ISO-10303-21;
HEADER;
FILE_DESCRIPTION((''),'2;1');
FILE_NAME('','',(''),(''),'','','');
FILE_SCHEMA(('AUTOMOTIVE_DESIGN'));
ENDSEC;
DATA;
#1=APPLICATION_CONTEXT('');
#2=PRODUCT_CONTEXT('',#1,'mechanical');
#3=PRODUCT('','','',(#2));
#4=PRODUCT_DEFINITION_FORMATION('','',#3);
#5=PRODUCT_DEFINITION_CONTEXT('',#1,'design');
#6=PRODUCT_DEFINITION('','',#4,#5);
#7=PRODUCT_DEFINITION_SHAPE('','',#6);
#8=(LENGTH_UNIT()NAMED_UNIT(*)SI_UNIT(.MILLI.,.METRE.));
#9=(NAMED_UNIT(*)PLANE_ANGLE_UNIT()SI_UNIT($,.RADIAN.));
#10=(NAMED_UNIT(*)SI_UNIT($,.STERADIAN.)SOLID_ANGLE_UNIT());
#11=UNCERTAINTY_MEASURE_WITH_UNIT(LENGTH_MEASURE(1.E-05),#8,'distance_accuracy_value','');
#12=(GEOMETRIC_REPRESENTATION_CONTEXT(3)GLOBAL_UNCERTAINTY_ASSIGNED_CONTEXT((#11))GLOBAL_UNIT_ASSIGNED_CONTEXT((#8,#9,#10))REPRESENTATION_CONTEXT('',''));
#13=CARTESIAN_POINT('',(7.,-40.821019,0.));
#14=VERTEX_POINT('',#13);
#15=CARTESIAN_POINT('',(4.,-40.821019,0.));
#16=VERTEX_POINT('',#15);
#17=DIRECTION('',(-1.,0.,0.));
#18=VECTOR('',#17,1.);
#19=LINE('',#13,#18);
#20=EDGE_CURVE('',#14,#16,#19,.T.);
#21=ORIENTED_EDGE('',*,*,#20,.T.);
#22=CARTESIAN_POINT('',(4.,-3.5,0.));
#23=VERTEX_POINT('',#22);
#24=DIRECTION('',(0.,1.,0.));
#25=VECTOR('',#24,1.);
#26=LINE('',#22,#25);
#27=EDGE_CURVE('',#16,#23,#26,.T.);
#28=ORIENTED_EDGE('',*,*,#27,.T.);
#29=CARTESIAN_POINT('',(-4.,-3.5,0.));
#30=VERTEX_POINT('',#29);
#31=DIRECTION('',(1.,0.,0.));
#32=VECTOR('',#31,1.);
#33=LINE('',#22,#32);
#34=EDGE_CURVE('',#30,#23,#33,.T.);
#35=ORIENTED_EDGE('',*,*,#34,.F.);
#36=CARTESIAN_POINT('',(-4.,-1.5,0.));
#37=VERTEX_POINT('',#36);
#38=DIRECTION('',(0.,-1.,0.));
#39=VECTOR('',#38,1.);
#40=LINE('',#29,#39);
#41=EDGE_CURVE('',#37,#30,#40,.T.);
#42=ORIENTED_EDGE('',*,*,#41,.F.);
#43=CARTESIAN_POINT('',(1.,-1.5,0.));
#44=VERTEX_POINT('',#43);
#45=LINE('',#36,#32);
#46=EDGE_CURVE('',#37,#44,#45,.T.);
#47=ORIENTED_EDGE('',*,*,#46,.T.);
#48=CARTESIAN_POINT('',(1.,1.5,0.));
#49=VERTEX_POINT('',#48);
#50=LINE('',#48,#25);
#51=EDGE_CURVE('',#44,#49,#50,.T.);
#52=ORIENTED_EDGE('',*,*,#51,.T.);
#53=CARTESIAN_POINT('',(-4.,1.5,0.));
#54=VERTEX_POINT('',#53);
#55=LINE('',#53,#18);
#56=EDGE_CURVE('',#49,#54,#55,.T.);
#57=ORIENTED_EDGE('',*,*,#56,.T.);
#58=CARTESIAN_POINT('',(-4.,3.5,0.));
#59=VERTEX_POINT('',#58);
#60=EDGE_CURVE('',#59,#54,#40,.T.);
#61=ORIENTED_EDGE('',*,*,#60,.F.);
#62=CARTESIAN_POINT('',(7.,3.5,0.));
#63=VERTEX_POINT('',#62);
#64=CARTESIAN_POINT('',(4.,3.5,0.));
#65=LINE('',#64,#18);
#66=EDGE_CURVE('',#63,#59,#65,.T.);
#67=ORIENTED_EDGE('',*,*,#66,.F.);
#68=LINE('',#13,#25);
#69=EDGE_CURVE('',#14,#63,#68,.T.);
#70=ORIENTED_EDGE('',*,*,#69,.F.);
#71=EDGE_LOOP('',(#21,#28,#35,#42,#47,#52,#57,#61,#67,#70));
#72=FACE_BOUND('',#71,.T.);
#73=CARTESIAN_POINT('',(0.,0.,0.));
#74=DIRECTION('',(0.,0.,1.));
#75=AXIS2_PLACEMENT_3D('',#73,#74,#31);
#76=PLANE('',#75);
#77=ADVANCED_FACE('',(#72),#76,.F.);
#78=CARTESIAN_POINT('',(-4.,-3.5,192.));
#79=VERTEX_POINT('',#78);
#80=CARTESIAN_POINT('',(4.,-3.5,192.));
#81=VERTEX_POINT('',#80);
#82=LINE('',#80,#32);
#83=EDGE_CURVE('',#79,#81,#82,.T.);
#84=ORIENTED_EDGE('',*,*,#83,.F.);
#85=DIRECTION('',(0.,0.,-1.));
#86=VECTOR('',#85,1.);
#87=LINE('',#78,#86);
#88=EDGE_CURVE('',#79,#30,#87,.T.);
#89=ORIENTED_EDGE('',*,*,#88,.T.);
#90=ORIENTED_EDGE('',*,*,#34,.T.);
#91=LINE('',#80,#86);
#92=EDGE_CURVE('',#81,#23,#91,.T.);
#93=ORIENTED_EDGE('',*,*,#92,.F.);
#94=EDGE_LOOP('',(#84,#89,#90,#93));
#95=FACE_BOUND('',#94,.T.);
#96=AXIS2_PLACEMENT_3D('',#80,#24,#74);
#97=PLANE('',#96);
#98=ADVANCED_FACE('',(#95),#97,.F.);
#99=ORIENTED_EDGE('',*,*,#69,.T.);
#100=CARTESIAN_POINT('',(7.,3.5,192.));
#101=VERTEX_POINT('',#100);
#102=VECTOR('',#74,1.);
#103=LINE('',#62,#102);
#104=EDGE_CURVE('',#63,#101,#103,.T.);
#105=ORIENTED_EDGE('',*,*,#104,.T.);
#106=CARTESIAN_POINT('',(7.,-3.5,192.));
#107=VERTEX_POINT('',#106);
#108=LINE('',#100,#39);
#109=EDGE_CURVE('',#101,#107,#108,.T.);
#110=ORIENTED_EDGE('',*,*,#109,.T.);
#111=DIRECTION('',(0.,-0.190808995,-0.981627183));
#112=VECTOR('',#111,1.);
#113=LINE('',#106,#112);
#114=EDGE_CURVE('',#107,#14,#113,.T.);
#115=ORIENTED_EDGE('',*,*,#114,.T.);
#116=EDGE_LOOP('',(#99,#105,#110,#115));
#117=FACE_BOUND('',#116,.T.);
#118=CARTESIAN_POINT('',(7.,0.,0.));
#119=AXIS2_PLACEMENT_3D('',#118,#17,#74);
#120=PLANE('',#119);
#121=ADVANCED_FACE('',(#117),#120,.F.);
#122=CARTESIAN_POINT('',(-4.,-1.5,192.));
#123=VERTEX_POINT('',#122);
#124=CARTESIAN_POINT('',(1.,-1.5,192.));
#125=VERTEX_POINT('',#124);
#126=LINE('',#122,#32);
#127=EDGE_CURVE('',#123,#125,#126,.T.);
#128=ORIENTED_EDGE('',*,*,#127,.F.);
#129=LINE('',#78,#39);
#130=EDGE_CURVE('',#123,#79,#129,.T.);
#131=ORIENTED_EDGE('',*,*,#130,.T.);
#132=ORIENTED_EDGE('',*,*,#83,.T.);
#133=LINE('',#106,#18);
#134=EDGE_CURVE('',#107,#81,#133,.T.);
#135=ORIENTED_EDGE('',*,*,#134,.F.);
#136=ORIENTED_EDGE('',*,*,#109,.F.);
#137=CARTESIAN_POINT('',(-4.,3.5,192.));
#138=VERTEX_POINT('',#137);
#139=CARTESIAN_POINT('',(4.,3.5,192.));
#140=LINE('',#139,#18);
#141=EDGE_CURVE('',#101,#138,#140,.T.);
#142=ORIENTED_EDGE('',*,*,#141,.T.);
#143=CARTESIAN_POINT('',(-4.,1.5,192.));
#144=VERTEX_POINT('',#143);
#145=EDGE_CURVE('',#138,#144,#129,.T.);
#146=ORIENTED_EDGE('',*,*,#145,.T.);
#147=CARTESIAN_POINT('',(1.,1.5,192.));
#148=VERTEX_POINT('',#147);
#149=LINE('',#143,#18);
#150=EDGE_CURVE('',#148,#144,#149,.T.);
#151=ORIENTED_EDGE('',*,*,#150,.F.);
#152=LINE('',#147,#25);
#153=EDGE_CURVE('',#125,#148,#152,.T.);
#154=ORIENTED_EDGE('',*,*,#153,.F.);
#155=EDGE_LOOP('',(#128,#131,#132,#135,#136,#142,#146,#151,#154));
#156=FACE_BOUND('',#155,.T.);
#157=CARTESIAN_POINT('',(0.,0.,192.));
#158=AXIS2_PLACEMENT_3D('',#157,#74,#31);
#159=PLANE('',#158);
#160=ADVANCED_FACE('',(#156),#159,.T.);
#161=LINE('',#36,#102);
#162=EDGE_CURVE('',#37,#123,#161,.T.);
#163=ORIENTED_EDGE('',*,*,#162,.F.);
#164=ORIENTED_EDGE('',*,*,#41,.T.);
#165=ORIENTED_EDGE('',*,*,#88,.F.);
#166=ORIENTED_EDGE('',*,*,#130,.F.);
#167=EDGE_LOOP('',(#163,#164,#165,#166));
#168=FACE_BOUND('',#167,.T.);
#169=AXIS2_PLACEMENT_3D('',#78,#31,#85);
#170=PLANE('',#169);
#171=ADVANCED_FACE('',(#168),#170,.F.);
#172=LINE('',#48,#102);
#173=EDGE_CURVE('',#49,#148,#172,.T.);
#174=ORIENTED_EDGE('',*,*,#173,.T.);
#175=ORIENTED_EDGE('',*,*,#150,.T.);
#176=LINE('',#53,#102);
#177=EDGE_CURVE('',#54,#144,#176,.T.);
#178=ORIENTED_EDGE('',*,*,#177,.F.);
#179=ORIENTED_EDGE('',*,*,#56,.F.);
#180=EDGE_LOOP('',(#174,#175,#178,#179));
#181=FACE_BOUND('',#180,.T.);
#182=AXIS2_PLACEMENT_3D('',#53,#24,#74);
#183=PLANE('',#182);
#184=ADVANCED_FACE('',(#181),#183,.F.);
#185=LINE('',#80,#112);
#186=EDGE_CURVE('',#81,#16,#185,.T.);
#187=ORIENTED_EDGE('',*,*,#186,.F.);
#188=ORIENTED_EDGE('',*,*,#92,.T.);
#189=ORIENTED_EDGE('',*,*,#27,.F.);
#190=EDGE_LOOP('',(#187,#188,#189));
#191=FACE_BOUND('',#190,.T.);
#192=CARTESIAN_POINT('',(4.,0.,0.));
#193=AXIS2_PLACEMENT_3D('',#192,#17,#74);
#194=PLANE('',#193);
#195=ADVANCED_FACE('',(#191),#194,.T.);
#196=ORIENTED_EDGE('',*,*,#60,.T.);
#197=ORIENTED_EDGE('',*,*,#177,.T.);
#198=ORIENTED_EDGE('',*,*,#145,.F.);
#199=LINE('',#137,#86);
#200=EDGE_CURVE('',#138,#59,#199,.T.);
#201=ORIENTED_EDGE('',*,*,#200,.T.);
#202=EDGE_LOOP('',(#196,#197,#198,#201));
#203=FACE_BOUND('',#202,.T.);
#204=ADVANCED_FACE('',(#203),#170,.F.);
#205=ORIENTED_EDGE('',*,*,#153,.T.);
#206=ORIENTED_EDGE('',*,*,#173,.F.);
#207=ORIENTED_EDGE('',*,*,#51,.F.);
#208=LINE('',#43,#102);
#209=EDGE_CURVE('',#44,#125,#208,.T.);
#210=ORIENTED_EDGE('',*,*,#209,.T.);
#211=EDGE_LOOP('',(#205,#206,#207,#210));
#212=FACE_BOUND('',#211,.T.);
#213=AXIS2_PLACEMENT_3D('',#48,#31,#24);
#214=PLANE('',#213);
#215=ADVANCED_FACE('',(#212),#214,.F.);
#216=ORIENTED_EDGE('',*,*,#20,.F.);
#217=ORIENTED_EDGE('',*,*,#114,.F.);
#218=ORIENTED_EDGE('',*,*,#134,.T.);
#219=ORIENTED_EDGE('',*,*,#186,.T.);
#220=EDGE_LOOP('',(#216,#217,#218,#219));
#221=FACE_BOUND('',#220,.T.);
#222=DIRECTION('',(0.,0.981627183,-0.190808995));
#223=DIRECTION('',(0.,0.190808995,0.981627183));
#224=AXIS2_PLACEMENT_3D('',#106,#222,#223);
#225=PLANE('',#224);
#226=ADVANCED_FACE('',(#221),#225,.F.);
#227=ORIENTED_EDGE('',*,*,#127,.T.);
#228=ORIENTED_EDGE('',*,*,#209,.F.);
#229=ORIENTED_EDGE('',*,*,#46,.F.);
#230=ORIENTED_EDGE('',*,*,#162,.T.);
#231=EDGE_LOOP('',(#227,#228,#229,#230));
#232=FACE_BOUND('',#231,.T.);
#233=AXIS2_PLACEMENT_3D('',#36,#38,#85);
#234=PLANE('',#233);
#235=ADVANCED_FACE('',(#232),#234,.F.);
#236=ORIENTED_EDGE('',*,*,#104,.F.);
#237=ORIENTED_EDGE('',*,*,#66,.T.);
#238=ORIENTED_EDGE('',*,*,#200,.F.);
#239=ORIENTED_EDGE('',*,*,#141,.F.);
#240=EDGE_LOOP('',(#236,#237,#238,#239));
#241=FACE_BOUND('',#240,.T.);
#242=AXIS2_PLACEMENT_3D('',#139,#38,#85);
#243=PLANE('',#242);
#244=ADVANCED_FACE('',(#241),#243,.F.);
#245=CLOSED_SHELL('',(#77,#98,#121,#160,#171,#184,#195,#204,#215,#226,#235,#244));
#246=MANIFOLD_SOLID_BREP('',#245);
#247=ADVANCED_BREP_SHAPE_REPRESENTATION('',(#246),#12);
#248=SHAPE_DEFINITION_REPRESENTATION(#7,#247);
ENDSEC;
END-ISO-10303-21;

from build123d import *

# Parameters (mm, degrees)
SKETCH1_W           = 8
SKETCH1_H           = 7
BOSS_EXTRUDE1_DEPTH = 192
SKETCH2_W           = 5
SKETCH2_H           = 3
CUT_EXTRUDE1_DEPTH  = 192
BOSS_EXTRUDE2_DEPTH = 3


with BuildPart() as part:
    # Sketch1 → Boss-Extrude1 (new body)
    with BuildSketch(Plane.XY):
        Rectangle(SKETCH1_W, SKETCH1_H)
    extrude(amount=BOSS_EXTRUDE1_DEPTH)

    # Sketch2 → Cut-Extrude1 (cut)
    with BuildSketch(Plane.XY.offset(192)):
        with Locations((-1.5, 0)):
            Rectangle(SKETCH2_W, SKETCH2_H)
    extrude(amount=-CUT_EXTRUDE1_DEPTH, mode=Mode.SUBTRACT)

    # Sketch3 → Boss-Extrude2 (add)
    with BuildSketch(Plane(origin=(4, 0, 0), x_dir=(0, 0, -1), z_dir=(1, 0, 0))):
        Polygon((-192, -3.5), (0, -40.821019354), (0, -3.5), (0, 3.5), (-192, 3.5), align=None)
    extrude(amount=BOSS_EXTRUDE2_DEPTH)


solid = part.part
